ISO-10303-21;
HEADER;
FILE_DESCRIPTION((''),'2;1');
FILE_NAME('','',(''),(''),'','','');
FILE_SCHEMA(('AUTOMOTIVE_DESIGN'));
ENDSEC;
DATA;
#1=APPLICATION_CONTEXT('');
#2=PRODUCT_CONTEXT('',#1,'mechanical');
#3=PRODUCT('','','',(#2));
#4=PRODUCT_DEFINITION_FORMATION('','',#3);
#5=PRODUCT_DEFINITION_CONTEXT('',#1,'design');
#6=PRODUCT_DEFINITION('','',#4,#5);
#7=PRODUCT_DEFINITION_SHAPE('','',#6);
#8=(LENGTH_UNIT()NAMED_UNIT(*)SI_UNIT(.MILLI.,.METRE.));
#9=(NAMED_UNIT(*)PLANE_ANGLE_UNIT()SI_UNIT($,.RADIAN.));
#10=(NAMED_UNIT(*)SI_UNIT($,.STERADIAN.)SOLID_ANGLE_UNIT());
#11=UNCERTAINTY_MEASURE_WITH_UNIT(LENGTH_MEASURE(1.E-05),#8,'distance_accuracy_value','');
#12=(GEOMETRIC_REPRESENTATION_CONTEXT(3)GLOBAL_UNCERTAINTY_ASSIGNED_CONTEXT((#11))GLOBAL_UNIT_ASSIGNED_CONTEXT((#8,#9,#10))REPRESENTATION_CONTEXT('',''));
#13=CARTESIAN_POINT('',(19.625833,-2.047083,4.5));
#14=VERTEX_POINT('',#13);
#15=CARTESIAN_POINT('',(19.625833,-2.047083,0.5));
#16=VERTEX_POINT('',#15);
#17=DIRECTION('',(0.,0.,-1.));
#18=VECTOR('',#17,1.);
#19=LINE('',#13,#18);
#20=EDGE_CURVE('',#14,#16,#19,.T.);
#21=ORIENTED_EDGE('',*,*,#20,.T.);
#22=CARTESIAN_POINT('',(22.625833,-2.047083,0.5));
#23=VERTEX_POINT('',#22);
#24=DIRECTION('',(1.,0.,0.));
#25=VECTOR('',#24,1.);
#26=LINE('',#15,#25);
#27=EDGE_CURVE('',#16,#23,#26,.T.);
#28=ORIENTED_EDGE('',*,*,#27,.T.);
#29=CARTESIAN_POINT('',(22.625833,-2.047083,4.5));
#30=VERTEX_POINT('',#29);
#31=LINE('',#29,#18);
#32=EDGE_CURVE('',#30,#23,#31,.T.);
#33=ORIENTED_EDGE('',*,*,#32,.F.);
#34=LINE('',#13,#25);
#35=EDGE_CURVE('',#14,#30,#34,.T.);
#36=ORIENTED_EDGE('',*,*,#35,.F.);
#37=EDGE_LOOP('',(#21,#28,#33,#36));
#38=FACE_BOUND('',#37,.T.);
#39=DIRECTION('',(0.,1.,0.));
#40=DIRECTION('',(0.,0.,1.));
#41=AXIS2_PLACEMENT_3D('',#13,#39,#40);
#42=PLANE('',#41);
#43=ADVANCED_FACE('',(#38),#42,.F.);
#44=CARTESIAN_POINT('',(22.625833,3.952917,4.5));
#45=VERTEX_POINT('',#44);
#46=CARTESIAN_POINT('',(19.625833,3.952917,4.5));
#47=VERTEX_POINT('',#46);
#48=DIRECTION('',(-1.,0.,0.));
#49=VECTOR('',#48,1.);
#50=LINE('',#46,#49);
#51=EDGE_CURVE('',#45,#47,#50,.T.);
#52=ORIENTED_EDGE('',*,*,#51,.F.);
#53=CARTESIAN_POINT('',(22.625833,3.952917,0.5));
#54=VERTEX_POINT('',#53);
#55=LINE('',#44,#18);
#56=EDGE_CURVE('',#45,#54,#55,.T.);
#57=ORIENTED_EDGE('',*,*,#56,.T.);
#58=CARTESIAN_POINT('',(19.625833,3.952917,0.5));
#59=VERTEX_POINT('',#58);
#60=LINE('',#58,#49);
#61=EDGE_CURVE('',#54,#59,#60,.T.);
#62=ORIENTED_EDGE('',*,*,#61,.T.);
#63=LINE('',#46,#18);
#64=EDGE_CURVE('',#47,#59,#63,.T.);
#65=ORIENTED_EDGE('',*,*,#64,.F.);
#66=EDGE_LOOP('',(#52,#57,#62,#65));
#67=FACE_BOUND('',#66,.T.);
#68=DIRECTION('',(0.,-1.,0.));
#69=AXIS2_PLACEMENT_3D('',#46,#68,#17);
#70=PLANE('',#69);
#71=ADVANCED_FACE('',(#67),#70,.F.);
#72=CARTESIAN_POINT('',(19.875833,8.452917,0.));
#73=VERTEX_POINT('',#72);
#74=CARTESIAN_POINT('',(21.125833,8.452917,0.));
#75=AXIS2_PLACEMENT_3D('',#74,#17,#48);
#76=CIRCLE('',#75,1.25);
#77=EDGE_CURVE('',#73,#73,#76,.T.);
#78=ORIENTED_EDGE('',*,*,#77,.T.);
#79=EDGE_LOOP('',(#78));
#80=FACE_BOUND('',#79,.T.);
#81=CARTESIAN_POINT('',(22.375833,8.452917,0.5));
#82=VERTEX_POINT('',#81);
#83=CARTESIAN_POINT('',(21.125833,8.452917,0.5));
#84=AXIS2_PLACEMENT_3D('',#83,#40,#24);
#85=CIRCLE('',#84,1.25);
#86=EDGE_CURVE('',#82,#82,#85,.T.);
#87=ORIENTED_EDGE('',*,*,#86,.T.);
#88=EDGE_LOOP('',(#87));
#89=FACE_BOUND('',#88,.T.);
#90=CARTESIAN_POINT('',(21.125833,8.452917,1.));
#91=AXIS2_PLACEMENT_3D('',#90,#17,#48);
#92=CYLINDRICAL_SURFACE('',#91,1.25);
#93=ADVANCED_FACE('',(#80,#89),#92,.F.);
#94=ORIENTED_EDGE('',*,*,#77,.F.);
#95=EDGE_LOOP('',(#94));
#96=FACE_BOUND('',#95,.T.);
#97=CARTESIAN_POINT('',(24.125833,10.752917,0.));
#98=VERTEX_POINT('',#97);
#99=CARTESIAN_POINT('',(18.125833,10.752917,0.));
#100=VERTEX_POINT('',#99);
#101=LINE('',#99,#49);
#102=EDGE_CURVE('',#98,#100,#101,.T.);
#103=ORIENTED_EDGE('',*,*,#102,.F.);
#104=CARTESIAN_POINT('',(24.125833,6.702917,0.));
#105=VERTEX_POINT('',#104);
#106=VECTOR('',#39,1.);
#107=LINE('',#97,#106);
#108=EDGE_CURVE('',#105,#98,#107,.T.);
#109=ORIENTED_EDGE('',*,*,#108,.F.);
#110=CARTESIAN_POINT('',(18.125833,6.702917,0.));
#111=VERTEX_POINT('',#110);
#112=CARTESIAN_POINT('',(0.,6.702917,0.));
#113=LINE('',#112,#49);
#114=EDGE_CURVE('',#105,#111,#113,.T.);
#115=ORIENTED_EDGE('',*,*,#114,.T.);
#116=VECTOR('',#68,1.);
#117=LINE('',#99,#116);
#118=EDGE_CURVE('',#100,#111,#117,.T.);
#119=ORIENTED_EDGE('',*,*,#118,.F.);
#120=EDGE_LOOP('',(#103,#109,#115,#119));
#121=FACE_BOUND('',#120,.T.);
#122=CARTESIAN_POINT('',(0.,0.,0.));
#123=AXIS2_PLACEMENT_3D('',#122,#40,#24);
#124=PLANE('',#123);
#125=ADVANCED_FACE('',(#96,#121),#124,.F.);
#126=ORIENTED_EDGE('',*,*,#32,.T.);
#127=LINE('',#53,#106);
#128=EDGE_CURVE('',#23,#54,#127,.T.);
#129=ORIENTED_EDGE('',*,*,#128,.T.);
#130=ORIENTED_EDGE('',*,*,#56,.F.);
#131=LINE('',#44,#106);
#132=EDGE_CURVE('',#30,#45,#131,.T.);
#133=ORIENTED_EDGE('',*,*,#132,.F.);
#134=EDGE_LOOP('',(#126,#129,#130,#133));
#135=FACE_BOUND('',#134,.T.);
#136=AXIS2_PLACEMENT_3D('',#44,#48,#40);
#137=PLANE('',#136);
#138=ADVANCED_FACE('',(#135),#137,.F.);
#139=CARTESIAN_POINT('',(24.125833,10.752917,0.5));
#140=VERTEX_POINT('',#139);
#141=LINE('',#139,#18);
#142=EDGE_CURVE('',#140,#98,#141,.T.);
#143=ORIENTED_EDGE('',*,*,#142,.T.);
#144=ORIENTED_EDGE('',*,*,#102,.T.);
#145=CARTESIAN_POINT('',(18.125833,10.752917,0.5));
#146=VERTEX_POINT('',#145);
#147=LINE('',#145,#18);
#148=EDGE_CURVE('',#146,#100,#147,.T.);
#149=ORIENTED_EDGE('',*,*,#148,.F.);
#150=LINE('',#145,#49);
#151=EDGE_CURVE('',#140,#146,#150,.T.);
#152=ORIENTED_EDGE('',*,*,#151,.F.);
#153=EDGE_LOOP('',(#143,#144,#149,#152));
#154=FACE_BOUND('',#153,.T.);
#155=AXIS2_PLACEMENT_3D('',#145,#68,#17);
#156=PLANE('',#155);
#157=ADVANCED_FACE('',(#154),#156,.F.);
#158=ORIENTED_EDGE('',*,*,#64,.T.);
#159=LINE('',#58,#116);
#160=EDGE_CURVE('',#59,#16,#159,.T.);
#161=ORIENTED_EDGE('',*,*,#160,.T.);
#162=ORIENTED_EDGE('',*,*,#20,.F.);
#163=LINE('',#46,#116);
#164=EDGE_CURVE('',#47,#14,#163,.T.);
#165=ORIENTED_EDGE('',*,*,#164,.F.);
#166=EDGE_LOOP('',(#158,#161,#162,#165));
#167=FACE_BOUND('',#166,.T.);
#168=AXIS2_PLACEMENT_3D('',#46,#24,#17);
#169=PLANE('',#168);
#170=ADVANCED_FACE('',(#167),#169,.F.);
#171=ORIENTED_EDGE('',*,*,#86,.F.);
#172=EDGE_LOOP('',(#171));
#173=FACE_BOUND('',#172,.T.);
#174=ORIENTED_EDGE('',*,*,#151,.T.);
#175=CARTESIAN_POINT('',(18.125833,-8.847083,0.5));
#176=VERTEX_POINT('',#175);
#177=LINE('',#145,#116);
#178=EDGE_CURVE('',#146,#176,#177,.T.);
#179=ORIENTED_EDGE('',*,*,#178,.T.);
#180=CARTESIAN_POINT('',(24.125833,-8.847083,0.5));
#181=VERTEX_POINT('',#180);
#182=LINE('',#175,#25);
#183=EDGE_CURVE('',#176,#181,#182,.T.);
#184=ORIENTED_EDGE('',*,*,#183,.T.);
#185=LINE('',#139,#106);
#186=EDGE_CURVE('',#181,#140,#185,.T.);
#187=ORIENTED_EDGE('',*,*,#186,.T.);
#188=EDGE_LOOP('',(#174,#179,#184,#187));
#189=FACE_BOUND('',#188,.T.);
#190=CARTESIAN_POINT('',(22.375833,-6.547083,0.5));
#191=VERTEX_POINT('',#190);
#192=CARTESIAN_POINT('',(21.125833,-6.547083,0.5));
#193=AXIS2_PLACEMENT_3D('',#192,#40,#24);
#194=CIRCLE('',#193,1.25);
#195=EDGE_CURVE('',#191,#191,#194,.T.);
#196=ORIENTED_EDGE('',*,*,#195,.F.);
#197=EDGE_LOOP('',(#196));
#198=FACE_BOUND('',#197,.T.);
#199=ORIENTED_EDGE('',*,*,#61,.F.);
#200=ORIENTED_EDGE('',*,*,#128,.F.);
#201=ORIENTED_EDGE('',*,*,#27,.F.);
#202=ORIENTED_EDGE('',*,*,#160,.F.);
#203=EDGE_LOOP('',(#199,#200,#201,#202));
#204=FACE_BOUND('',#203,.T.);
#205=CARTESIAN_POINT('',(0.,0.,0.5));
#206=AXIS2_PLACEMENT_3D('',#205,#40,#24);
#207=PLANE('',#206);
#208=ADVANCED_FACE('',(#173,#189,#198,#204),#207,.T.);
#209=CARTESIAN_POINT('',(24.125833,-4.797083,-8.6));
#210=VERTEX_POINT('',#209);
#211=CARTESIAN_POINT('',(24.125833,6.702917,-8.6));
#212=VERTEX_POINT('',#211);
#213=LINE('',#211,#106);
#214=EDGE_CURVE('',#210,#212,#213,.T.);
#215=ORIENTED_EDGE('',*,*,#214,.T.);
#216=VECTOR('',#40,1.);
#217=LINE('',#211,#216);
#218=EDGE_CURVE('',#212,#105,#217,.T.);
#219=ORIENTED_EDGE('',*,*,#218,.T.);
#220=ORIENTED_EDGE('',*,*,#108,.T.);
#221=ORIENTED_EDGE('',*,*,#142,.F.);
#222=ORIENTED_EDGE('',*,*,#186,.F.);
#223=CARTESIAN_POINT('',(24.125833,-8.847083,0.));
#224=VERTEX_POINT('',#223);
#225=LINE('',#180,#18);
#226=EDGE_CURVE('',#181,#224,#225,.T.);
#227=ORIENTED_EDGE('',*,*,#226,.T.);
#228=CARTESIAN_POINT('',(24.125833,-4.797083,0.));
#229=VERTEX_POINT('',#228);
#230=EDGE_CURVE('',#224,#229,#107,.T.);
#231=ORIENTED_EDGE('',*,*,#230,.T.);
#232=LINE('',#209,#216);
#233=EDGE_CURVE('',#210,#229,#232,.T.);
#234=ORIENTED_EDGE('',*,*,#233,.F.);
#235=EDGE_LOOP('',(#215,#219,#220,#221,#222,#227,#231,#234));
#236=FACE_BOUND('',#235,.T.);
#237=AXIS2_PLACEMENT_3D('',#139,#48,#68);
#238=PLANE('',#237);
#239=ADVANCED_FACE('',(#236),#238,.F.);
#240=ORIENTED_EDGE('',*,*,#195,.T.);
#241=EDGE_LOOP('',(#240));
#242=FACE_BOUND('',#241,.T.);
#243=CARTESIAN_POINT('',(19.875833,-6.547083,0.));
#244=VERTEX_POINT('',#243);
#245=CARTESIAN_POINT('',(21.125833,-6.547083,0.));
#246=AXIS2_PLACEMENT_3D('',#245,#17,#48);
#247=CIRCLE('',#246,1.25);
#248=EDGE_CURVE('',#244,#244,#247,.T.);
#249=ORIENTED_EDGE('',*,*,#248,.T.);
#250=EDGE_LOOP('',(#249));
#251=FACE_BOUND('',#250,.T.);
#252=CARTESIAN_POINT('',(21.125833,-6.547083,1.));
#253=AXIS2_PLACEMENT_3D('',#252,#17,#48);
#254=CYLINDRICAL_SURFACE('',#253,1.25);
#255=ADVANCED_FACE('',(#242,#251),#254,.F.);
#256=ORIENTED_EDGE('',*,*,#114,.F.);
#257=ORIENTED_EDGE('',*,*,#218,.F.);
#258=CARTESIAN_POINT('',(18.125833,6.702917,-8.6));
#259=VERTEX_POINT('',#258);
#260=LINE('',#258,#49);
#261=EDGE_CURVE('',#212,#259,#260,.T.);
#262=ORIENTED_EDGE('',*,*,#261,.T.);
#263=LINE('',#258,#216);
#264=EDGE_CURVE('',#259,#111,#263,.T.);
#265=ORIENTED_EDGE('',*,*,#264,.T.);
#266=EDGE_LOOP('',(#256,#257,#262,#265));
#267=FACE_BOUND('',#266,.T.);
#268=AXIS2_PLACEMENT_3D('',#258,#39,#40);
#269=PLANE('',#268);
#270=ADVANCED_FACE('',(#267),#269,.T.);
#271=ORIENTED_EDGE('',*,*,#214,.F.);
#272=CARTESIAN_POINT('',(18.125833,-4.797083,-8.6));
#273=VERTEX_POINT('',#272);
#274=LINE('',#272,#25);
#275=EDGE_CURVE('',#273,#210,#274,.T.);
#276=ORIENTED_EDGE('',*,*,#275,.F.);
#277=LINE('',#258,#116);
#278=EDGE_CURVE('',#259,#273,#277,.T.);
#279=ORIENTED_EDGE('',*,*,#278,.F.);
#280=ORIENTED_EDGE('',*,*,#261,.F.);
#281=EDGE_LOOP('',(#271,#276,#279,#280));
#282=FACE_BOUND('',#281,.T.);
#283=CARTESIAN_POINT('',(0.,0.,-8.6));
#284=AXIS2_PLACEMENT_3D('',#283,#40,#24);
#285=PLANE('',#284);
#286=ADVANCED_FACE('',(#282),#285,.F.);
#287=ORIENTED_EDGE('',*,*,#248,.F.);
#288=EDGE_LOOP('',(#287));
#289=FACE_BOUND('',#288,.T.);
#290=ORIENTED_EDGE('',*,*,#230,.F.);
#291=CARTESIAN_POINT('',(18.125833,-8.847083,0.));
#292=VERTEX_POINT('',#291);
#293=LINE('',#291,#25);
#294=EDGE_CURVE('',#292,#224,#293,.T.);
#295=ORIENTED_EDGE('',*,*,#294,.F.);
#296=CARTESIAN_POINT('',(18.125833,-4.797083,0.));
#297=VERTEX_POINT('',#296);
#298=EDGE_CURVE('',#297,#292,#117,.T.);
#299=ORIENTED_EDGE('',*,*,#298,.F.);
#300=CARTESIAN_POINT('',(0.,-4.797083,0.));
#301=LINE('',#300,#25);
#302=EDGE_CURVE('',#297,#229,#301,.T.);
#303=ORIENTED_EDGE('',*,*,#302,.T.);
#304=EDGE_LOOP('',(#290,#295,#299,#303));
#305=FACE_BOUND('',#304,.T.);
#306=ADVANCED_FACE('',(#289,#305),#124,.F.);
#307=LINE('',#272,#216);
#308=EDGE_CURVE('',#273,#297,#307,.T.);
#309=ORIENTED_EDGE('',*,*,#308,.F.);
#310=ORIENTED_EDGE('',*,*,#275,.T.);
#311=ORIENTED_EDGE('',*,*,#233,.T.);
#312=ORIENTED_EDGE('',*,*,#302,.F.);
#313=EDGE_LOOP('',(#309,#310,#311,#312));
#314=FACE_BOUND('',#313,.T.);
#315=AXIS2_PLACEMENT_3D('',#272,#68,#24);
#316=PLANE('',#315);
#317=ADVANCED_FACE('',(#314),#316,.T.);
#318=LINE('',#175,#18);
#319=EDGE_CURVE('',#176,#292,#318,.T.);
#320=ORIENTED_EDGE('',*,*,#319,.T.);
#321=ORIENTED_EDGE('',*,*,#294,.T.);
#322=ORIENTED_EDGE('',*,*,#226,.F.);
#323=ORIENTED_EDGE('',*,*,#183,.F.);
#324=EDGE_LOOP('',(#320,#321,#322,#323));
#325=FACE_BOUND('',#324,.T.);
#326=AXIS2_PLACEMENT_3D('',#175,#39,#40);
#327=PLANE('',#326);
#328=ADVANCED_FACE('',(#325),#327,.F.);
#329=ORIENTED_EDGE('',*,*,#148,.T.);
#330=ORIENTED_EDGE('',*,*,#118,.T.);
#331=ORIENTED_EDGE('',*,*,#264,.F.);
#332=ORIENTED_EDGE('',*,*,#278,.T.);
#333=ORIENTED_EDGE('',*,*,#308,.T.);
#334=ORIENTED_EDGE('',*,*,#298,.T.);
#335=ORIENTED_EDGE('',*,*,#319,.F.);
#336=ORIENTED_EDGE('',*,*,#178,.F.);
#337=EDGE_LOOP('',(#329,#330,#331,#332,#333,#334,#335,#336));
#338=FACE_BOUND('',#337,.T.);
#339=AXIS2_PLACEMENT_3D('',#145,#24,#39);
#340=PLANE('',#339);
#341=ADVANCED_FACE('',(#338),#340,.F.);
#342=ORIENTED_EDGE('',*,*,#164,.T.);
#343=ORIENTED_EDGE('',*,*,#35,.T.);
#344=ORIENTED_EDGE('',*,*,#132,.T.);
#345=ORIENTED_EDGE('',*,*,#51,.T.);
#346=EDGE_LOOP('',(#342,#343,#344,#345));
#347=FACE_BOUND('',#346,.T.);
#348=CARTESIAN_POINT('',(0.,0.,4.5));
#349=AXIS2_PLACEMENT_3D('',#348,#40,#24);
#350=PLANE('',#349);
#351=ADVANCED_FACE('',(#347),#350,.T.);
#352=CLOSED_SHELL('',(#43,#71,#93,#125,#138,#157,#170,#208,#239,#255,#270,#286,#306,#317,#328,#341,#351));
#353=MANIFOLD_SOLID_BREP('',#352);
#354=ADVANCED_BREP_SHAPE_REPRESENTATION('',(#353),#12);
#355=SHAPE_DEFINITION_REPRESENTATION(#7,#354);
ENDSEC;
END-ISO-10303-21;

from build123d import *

# Parameters (mm, degrees)
SKETCH1_W           = 6
SKETCH1_H           = 19.6
BOSS_EXTRUDE1_DEPTH = 0.5
SKETCH2_R           = 1.25
CUT_EXTRUDE1_DEPTH  = 1
SKETCH3_W           = 6
SKETCH3_H           = 11.5
BOSS_EXTRUDE2_DEPTH = 9.1
SKETCH6_W           = 3
SKETCH6_H           = 6
BOSS_EXTRUDE3_DEPTH = 4


with BuildPart() as part:
    # Sketch1 → Boss-Extrude1 (new body)
    with BuildSketch(Plane.XY):
        with Locations((21.125833333, 0.952916667)):
            Rectangle(SKETCH1_W, SKETCH1_H)
    extrude(amount=BOSS_EXTRUDE1_DEPTH)

    # Sketch2 → Cut-Extrude1 (cut)
    with BuildSketch(Plane(origin=(0, 0, 0), x_dir=(-1, 0, 0), z_dir=(0, 0, -1))):
        with Locations((-21.125833333, 8.452916667)):
            Circle(SKETCH2_R)
        with Locations((-21.125833333, -6.547083333)):
            Circle(SKETCH2_R)
    extrude(amount=-CUT_EXTRUDE1_DEPTH, mode=Mode.SUBTRACT)



with BuildPart() as body_2:
    # Sketch3 → Boss-Extrude2 (new body)
    with BuildSketch(Plane.XY.offset(0.5)):
        with Locations((21.125833333, 0.952916667)):
            Rectangle(SKETCH3_W, SKETCH3_H)
    extrude(amount=-BOSS_EXTRUDE2_DEPTH)


with BuildPart() as part_1:
    add(part.part)

    add(body_2.part)  # Boss-Extrude3 merges body 2
    # Sketch6 → Boss-Extrude3 (add)
    with BuildSketch(Plane.XY.offset(0.5)):
        with Locations((21.125833333, 0.952916667)):
            Rectangle(SKETCH6_W, SKETCH6_H)
    extrude(amount=BOSS_EXTRUDE3_DEPTH)


solid = part_1.part
